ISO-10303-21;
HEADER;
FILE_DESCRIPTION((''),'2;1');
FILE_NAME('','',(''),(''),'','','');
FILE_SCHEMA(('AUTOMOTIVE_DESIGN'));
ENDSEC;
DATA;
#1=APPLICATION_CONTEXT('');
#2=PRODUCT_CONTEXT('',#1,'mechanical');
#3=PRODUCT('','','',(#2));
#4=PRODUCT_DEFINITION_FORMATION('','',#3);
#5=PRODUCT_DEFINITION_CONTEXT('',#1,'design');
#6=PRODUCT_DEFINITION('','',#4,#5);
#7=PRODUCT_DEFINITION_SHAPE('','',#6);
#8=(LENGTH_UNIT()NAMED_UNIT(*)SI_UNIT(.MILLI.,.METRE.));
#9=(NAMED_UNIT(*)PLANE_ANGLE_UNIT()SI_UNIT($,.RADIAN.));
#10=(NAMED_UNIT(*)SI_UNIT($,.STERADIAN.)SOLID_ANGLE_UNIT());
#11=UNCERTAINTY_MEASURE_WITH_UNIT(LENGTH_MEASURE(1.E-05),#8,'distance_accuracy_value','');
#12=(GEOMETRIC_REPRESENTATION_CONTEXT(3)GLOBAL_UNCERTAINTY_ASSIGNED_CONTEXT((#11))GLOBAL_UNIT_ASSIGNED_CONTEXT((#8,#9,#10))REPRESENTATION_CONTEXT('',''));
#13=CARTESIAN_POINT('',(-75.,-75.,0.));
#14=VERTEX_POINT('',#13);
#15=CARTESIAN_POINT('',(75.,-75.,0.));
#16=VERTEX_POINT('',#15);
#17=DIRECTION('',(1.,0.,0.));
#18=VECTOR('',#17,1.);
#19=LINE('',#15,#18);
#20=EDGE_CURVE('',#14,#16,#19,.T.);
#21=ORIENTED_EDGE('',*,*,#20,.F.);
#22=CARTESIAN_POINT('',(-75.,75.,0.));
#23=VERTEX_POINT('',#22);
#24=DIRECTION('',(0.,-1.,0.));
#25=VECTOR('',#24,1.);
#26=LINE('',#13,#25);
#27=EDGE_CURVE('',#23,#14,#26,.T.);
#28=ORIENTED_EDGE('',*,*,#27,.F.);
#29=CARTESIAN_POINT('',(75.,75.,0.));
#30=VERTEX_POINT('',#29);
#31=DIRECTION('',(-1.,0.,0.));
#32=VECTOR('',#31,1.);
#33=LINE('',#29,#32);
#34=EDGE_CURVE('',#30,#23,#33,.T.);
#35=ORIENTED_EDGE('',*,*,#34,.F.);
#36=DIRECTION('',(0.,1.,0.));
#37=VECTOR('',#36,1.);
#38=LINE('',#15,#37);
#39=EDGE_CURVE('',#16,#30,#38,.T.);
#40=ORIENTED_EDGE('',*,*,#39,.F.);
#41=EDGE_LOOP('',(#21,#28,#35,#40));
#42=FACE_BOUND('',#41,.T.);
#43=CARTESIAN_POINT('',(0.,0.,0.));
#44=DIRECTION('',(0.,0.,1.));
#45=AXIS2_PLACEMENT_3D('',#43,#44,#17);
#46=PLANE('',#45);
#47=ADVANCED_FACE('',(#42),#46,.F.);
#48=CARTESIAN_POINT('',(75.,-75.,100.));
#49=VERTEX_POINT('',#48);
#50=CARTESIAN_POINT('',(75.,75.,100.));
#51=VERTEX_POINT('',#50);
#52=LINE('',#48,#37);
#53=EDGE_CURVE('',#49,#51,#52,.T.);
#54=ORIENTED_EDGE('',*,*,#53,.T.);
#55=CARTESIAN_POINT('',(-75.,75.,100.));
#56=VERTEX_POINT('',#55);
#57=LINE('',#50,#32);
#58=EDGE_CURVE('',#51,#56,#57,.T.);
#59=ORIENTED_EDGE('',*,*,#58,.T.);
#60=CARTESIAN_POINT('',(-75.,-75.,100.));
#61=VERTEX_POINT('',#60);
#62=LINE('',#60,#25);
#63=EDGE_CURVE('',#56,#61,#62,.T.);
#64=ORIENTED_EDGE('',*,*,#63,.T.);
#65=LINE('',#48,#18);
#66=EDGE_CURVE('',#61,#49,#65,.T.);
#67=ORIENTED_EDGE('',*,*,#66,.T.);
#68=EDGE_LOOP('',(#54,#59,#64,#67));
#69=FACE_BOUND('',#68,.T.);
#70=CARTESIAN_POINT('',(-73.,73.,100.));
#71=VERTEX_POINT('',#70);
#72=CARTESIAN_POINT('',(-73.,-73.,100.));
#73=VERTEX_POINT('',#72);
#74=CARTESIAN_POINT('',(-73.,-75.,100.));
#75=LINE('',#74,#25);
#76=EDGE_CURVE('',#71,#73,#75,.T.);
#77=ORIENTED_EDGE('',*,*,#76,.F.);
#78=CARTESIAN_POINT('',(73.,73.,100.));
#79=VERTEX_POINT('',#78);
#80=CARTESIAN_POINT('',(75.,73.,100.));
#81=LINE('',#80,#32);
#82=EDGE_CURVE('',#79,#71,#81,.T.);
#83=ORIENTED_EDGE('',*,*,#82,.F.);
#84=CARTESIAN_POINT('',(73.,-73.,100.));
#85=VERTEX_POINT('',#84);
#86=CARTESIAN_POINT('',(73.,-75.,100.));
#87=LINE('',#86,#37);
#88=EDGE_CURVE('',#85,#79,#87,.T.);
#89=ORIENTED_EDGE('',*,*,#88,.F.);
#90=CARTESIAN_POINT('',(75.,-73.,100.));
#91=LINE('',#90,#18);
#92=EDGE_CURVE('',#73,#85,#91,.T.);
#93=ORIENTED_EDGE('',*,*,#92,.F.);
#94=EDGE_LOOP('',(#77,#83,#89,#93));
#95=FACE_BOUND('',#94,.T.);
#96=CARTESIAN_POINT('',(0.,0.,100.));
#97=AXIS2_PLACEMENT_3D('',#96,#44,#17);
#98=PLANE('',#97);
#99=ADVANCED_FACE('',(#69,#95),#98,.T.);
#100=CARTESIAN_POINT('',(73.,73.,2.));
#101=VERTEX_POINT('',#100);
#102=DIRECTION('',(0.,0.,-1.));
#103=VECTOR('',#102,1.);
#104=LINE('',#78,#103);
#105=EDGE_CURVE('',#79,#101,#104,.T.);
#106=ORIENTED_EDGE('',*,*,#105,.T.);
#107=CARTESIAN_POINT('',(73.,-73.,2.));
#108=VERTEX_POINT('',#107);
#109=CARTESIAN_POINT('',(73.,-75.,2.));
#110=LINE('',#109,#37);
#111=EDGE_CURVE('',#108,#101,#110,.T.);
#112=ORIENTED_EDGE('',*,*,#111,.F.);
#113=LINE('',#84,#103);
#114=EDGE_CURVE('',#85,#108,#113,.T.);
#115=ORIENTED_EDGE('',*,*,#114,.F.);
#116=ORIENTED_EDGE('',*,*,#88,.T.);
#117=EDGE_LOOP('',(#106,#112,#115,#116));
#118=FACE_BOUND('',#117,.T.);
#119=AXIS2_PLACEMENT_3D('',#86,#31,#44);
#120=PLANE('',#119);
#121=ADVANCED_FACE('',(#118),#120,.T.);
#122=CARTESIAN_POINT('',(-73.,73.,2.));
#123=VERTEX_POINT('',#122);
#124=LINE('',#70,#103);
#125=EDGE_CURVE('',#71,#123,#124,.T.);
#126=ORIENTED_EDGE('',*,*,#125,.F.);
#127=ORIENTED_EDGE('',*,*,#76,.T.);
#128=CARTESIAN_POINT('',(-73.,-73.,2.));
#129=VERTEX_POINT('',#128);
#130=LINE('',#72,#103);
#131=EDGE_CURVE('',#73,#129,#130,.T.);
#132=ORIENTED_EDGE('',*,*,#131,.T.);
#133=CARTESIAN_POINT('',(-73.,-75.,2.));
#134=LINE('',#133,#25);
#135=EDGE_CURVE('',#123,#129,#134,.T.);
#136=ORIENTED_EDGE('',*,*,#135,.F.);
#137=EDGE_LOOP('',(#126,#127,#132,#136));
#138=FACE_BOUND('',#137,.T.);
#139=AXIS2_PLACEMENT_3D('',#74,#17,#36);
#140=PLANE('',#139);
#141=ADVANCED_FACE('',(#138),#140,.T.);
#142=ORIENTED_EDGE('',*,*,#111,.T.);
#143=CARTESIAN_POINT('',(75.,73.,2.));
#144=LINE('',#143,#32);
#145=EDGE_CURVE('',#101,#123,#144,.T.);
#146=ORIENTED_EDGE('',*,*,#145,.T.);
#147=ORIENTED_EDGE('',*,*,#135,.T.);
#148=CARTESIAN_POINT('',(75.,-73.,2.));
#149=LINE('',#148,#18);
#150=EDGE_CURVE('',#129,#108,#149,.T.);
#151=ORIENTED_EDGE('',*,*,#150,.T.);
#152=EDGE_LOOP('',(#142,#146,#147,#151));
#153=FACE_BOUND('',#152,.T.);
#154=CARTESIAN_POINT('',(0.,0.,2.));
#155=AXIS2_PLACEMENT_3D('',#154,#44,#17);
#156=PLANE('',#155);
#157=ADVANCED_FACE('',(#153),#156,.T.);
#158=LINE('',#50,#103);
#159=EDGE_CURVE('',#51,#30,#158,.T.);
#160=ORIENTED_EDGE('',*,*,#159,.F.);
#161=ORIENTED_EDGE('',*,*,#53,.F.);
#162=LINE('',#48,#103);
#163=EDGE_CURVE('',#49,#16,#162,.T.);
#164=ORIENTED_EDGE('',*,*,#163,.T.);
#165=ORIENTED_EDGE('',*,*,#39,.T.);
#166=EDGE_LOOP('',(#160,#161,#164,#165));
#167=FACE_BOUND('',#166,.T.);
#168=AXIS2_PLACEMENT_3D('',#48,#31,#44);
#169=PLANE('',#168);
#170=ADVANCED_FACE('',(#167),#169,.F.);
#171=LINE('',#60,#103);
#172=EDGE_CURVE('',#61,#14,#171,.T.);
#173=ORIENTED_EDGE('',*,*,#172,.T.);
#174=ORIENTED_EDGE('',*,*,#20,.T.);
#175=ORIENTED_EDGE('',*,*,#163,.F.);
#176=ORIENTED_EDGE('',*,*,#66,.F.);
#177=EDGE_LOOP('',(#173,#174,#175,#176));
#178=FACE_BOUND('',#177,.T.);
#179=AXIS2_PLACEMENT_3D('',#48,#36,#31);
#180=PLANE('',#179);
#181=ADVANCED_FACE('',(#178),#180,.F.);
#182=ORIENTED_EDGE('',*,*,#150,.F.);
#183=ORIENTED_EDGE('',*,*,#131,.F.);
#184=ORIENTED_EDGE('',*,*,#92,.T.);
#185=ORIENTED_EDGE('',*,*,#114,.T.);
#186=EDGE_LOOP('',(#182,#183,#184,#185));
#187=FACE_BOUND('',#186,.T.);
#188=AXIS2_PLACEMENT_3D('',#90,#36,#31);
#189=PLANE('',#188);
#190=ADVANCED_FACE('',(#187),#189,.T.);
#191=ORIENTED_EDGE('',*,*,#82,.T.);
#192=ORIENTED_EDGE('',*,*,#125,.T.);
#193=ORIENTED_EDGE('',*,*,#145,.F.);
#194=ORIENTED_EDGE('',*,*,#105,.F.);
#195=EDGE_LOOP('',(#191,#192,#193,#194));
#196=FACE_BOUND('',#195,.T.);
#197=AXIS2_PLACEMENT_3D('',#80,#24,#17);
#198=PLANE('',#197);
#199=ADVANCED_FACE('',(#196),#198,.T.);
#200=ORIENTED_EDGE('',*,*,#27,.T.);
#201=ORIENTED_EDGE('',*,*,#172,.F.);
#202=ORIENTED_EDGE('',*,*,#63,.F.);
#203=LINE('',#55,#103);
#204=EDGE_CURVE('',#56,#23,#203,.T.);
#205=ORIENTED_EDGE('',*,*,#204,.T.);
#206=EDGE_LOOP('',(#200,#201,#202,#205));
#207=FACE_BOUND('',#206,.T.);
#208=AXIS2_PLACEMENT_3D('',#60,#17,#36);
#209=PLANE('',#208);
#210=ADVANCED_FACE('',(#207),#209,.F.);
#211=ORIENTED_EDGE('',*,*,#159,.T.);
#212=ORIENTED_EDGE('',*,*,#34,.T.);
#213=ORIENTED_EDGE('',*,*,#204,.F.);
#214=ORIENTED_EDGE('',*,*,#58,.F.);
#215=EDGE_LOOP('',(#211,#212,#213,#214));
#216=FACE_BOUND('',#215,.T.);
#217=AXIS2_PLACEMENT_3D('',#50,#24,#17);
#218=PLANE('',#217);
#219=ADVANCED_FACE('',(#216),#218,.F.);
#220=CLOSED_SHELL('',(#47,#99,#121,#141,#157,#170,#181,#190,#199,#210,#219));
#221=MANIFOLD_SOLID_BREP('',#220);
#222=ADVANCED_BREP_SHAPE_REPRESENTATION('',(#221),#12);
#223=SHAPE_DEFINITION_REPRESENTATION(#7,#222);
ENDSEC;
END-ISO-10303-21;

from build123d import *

# Parameters (mm, degrees)
SKETCH_1_W      = 150
SKETCH_1_H      = 150
EXTRUDE_1_DEPTH = 100
SHELL_1_T       = -2


with BuildPart() as part:
    # 草图1 → 凸台-拉伸1 (new body)
    with BuildSketch(Plane.XY):
        Rectangle(SKETCH_1_W, SKETCH_1_H)
    extrude(amount=EXTRUDE_1_DEPTH)

    # 抽壳1
    shell_1_openings = [part.faces().sort_by_distance(p)[0] for p in [
        (0, 0, 100),
    ]]
    offset(amount=SHELL_1_T, openings=shell_1_openings, kind=Kind.INTERSECTION)


solid = part.part
